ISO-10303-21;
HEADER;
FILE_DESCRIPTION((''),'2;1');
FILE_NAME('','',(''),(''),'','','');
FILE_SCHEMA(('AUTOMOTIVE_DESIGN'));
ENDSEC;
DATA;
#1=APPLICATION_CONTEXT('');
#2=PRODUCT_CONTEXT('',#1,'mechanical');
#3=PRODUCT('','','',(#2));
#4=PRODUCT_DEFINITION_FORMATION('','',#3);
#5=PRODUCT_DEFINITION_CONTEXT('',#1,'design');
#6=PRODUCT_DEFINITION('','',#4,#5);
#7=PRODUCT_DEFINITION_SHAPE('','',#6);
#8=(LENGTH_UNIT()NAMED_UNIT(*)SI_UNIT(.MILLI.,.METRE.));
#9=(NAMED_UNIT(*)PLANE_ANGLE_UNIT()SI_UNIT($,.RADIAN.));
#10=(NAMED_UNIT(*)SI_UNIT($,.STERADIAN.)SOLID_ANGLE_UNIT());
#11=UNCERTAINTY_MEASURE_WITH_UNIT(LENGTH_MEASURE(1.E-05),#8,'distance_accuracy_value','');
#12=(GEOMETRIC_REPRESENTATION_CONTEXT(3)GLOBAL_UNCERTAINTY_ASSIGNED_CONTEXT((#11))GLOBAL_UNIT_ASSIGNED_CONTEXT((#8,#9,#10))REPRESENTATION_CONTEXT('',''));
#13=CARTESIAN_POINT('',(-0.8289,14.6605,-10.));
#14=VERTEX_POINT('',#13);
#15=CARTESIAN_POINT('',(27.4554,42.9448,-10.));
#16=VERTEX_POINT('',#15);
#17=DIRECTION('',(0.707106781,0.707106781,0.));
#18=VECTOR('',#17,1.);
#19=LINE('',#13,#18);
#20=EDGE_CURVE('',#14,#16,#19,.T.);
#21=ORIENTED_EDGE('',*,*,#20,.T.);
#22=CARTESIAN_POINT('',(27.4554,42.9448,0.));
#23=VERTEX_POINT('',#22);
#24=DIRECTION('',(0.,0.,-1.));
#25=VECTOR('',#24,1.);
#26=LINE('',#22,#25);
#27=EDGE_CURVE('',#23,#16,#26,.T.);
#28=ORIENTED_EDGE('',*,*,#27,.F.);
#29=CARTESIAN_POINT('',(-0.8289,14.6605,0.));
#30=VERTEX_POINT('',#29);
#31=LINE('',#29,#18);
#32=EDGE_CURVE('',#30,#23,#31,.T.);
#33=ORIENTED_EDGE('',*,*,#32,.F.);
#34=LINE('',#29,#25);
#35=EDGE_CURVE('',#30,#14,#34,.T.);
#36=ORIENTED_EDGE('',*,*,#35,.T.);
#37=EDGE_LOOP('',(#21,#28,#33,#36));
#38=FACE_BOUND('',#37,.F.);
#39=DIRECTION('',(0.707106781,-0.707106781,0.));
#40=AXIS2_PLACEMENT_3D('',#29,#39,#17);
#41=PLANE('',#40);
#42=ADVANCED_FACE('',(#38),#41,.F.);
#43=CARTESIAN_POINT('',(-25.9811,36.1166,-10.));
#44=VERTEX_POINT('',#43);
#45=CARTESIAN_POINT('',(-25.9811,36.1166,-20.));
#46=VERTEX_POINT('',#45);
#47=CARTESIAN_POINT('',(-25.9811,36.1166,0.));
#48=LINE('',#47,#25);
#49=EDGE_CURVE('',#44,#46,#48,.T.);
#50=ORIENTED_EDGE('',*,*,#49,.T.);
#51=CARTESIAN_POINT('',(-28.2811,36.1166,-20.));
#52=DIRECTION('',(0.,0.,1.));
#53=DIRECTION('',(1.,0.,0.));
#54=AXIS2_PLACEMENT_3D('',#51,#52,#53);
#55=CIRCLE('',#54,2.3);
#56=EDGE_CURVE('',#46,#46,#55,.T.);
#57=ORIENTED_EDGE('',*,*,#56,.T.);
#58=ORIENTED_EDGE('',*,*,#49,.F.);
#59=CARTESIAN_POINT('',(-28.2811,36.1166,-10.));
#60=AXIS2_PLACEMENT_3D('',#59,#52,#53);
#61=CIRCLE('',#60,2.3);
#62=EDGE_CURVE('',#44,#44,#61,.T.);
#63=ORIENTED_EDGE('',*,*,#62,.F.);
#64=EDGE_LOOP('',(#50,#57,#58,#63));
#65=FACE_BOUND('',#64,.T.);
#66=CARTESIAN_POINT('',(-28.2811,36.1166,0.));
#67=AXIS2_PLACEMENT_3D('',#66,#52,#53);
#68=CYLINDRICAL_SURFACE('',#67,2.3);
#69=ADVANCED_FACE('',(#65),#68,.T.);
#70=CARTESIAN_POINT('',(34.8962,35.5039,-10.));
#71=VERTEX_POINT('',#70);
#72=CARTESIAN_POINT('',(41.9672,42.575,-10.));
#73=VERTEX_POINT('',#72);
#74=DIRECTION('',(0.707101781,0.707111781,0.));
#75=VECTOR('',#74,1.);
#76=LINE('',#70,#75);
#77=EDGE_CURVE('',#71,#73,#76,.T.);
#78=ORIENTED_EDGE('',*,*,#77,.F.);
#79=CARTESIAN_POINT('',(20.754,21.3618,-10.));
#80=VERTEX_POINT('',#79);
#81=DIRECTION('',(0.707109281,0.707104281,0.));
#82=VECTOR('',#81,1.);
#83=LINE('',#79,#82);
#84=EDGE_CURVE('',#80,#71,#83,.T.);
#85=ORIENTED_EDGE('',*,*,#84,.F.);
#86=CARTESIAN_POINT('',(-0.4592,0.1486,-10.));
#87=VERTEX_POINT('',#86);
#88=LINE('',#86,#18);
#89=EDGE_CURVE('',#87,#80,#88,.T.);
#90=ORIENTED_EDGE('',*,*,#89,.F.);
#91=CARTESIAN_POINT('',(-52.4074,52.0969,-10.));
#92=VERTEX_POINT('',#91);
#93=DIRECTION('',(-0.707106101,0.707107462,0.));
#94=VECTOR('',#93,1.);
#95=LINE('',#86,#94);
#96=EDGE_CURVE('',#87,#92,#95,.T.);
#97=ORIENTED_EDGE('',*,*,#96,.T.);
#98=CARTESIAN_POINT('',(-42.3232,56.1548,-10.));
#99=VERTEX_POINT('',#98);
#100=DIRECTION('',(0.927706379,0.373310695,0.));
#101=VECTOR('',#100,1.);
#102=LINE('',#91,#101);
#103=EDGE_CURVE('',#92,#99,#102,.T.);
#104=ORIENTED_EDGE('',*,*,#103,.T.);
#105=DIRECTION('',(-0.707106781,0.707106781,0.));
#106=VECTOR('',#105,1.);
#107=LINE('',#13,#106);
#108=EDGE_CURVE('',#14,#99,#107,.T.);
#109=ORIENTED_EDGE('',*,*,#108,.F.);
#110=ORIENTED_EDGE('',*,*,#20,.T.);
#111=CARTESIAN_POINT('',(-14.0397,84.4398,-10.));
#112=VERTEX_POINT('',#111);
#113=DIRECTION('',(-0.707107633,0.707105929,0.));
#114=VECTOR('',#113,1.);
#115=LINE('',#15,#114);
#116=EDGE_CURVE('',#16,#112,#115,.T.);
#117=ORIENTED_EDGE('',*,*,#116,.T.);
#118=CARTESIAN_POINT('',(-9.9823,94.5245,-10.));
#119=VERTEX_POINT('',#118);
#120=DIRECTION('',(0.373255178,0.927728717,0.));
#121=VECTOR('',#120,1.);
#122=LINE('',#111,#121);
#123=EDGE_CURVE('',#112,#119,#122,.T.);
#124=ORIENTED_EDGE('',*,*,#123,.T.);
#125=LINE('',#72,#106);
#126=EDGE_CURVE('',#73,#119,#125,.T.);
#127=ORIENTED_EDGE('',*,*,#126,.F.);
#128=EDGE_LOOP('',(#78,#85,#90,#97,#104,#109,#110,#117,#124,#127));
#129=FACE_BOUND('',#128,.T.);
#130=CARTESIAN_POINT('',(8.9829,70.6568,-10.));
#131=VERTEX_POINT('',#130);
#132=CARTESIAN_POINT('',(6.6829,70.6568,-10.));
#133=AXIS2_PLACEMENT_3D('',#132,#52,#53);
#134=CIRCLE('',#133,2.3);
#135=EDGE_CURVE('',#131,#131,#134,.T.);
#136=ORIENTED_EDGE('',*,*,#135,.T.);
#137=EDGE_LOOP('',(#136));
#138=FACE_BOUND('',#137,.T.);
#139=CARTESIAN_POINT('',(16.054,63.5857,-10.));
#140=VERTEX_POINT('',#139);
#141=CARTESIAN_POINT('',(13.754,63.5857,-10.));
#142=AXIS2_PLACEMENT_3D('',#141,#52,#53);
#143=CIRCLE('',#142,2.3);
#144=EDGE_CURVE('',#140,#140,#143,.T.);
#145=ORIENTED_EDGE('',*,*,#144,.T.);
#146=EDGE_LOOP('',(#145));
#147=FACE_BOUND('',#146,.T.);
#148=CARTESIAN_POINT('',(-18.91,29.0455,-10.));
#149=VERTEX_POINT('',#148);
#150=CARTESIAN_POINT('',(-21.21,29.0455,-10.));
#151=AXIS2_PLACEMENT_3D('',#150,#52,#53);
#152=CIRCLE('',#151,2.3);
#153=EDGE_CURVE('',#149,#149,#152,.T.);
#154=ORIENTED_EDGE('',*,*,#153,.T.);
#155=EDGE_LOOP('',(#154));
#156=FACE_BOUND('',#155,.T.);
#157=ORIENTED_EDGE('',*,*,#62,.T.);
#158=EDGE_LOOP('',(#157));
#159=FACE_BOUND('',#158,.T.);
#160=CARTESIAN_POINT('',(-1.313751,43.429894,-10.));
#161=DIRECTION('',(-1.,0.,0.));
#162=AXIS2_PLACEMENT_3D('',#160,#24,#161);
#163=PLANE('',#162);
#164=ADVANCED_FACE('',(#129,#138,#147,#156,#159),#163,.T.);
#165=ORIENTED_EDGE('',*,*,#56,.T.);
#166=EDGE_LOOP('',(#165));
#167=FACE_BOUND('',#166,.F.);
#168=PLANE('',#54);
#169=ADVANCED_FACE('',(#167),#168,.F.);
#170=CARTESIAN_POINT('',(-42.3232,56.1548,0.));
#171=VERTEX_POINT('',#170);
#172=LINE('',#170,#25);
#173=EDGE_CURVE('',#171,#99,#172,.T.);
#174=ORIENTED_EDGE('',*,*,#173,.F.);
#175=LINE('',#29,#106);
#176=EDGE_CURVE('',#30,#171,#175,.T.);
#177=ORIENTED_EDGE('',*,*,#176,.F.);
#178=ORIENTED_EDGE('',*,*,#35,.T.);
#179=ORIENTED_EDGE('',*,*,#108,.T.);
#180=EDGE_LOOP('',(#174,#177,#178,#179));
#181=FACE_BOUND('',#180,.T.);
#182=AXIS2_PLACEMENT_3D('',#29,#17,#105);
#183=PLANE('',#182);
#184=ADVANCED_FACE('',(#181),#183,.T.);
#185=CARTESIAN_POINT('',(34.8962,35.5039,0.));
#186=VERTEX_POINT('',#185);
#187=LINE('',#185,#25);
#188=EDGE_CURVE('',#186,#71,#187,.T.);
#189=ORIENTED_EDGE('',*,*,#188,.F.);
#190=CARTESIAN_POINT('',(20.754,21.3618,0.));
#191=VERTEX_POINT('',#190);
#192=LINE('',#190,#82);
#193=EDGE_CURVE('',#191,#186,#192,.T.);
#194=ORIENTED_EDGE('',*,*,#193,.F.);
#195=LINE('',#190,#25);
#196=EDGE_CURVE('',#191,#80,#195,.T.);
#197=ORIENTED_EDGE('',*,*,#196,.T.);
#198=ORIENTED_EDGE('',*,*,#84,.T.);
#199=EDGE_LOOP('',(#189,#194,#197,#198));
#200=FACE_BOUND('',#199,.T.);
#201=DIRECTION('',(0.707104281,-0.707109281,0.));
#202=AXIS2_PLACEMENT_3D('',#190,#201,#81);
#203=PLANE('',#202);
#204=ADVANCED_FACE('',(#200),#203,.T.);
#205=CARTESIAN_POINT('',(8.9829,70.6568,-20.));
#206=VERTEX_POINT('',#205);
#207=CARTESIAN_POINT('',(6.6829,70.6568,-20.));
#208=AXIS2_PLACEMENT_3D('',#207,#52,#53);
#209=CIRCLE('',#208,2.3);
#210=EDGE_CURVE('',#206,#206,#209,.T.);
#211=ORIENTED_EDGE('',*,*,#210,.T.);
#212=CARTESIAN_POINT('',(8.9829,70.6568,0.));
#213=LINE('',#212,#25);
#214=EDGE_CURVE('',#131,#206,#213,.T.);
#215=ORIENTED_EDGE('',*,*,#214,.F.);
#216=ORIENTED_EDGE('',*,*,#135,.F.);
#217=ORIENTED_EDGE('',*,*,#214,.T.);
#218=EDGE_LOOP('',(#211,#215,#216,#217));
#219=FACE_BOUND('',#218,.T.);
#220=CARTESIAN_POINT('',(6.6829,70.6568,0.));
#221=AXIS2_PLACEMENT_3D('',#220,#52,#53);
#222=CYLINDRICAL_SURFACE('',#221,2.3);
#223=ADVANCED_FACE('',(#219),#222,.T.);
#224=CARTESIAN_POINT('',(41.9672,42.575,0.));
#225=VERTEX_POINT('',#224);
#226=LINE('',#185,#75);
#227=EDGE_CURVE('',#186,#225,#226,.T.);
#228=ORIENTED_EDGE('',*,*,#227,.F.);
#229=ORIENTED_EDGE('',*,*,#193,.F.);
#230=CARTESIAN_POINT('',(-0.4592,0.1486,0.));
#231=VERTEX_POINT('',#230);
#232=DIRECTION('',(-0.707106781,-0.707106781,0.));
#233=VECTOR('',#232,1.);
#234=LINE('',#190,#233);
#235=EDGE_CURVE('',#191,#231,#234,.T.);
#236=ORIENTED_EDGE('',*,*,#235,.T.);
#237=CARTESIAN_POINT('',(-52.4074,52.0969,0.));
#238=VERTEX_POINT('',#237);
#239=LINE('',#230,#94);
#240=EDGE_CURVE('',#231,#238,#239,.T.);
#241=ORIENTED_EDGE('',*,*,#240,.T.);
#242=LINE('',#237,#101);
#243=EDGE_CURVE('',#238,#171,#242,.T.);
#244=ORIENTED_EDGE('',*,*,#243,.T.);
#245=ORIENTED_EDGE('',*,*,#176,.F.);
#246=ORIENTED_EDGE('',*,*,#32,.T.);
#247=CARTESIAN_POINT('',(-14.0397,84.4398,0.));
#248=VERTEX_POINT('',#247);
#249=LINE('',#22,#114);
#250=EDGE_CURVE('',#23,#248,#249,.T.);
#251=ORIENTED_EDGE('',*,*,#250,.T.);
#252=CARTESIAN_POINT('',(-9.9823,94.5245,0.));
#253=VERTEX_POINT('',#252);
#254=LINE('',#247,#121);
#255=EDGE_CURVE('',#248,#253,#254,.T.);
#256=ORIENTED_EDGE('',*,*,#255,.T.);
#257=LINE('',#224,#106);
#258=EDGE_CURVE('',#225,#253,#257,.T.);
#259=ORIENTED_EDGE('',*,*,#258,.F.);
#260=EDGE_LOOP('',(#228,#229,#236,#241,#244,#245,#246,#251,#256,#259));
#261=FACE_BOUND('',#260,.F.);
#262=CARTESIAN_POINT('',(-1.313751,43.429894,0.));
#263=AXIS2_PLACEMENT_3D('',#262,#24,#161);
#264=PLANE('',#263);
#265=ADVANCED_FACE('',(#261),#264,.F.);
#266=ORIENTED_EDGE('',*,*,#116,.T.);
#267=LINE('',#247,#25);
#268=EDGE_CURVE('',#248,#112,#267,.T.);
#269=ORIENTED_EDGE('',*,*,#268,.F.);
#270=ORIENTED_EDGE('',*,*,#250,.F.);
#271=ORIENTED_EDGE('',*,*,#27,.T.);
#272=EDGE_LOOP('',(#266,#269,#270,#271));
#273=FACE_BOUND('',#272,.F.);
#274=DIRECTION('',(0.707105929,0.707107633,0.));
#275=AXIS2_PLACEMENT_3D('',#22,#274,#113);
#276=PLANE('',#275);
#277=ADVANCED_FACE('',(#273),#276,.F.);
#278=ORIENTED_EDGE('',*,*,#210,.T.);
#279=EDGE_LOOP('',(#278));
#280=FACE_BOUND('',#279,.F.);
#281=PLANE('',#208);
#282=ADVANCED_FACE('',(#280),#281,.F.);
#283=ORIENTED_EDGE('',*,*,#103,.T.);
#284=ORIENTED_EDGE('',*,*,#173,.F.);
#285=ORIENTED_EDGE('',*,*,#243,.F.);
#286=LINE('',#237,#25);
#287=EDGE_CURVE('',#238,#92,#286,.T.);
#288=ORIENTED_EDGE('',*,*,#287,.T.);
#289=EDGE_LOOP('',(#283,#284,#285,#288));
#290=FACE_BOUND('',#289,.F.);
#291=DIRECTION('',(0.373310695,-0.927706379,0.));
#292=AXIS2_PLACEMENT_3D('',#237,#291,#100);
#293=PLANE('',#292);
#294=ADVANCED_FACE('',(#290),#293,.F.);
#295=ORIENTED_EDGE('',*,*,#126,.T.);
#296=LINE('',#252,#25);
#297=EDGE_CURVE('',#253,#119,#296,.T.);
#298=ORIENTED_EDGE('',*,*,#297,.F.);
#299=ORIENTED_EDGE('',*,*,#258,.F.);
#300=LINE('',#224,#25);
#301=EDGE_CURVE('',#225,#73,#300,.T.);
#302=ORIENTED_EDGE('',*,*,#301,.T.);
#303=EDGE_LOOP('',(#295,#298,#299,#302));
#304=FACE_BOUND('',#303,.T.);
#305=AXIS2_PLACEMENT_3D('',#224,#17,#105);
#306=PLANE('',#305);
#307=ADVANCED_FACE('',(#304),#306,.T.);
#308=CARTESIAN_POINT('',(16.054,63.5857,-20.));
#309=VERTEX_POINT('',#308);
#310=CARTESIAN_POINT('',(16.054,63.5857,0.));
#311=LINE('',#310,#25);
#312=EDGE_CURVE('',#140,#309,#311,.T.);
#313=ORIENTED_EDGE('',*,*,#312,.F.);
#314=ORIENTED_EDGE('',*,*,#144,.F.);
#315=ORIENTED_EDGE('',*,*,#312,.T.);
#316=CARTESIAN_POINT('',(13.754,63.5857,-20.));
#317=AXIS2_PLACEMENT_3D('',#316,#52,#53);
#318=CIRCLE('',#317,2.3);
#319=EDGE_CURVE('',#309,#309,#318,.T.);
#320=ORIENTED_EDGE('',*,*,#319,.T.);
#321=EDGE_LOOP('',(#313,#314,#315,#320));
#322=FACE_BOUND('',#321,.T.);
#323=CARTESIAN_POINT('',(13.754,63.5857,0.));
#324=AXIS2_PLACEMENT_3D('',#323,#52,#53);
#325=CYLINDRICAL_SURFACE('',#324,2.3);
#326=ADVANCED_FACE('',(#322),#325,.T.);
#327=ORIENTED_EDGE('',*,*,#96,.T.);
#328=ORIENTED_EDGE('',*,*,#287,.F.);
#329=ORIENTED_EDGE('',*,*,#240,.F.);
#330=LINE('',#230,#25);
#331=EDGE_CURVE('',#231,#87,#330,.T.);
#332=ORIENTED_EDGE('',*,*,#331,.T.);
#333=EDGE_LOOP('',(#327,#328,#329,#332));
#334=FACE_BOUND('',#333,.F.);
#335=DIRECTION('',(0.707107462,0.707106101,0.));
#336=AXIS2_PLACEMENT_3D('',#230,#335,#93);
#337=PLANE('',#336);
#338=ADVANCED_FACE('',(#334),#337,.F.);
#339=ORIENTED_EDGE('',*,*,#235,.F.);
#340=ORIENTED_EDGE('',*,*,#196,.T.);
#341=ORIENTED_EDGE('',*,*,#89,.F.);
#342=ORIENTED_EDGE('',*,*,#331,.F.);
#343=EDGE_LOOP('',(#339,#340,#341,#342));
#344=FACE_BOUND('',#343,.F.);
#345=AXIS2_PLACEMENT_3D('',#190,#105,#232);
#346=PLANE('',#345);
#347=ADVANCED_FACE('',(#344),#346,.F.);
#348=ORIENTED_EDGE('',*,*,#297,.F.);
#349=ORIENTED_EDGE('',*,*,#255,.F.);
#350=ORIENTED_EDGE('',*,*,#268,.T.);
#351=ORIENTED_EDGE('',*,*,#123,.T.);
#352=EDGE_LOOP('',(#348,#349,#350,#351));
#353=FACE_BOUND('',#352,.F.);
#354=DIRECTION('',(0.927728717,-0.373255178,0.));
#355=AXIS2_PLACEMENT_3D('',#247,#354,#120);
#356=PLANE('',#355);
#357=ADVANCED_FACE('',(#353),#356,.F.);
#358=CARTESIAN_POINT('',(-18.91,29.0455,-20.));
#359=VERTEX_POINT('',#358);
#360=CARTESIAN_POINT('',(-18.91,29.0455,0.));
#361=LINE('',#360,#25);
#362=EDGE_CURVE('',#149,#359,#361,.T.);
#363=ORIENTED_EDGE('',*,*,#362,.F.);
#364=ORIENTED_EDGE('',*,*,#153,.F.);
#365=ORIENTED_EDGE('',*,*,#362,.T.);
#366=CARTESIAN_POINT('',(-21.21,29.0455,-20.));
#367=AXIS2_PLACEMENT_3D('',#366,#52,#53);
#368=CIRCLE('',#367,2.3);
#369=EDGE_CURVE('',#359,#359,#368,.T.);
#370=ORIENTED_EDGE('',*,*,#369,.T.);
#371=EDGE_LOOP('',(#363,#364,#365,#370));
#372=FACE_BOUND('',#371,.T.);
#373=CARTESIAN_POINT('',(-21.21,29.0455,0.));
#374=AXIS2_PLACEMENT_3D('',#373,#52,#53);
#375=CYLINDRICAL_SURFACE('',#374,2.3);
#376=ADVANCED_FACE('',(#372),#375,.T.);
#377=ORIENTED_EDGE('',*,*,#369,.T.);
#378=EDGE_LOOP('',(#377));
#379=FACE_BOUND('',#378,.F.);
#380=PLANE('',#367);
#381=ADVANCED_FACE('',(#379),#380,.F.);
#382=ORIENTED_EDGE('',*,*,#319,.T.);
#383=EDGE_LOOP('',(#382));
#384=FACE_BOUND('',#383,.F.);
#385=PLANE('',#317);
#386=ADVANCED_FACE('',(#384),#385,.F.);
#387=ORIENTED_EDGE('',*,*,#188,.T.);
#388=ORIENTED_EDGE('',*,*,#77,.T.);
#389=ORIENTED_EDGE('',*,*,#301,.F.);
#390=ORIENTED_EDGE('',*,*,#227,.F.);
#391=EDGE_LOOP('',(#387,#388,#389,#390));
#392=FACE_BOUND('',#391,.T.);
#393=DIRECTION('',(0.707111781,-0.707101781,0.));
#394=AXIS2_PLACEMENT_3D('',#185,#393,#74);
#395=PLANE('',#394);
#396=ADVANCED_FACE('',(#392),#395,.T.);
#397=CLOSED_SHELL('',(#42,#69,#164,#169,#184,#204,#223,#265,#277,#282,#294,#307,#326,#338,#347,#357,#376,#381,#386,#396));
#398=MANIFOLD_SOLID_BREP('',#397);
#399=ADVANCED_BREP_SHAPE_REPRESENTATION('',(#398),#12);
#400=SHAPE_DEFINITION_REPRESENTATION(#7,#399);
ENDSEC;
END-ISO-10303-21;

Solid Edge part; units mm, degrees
sketch "Sketch1" plane through (0, 0, 0) normal (0, 0, 1) x (1, 0, 0)
  line L0 (20.754, 21.3618) -> (6.6119, 7.2197)
  line L1 (6.6119, 7.2197) -> (-0.4592, 0.1486)
  line L2 (-0.4592, 0.1486) -> (-52.4074, 52.0969)
  line L3 (-52.4074, 52.0969) -> (-42.3232, 56.1548)
  line L4 (-0.8289, 14.6605) -> (-42.3232, 56.1548)
  line L5 (-0.8289, 14.6605) -> (27.4554, 42.9448)
  line L6 (27.4554, 42.9448) -> (-14.0397, 84.4398)
  line L7 (-14.0397, 84.4398) -> (-9.9823, 94.5245)
  line L8 (41.9672, 42.575) -> (-9.9823, 94.5245)
  line L9 (34.8962, 35.5039) -> (41.9672, 42.575)
  line L10 (20.754, 21.3618) -> (34.8962, 35.5039)
  circle A0 centre (6.6829, 70.6568) radius 2.3
  circle A1 centre (-21.21, 29.0455) radius 2.3
  circle A2 centre (-28.2811, 36.1166) radius 2.3
  circle A3 centre (13.754, 63.5857) radius 2.3
  dimension "D1" = 20
  dimension "D2" = 73.4659
  dimension "D3" = 40
  dimension "D4" = 10
extrude "Protrusion1" add sketch "Sketch1" against normal blind 10
sketch "Sketch2" plane through (0, 0, 0) normal (0, 0, 1) x (1, 0, 0)
  circle A0 centre (6.6829, 70.6568) radius 2.3
extrude "ExtrudedProtrusion_6" add sketch "Sketch2" against normal blind 20
sketch "Sketch3" plane through (0, 0, 0) normal (0, 0, 1) x (1, 0, 0)
  circle A0 centre (13.754, 63.5857) radius 2.3
extrude "ExtrudedProtrusion_7" add sketch "Sketch3" against normal blind 20
sketch "Sketch4" plane through (0, 0, 0) normal (0, 0, 1) x (1, 0, 0)
  circle A0 centre (-28.2811, 36.1166) radius 2.3
extrude "ExtrudedProtrusion_8" add sketch "Sketch4" against normal blind 20
sketch "Sketch5" plane through (0, 0, 0) normal (0, 0, 1) x (1, 0, 0)
  circle A0 centre (-21.21, 29.0455) radius 2.3
extrude "ExtrudedProtrusion_9" add sketch "Sketch5" against normal blind 20
